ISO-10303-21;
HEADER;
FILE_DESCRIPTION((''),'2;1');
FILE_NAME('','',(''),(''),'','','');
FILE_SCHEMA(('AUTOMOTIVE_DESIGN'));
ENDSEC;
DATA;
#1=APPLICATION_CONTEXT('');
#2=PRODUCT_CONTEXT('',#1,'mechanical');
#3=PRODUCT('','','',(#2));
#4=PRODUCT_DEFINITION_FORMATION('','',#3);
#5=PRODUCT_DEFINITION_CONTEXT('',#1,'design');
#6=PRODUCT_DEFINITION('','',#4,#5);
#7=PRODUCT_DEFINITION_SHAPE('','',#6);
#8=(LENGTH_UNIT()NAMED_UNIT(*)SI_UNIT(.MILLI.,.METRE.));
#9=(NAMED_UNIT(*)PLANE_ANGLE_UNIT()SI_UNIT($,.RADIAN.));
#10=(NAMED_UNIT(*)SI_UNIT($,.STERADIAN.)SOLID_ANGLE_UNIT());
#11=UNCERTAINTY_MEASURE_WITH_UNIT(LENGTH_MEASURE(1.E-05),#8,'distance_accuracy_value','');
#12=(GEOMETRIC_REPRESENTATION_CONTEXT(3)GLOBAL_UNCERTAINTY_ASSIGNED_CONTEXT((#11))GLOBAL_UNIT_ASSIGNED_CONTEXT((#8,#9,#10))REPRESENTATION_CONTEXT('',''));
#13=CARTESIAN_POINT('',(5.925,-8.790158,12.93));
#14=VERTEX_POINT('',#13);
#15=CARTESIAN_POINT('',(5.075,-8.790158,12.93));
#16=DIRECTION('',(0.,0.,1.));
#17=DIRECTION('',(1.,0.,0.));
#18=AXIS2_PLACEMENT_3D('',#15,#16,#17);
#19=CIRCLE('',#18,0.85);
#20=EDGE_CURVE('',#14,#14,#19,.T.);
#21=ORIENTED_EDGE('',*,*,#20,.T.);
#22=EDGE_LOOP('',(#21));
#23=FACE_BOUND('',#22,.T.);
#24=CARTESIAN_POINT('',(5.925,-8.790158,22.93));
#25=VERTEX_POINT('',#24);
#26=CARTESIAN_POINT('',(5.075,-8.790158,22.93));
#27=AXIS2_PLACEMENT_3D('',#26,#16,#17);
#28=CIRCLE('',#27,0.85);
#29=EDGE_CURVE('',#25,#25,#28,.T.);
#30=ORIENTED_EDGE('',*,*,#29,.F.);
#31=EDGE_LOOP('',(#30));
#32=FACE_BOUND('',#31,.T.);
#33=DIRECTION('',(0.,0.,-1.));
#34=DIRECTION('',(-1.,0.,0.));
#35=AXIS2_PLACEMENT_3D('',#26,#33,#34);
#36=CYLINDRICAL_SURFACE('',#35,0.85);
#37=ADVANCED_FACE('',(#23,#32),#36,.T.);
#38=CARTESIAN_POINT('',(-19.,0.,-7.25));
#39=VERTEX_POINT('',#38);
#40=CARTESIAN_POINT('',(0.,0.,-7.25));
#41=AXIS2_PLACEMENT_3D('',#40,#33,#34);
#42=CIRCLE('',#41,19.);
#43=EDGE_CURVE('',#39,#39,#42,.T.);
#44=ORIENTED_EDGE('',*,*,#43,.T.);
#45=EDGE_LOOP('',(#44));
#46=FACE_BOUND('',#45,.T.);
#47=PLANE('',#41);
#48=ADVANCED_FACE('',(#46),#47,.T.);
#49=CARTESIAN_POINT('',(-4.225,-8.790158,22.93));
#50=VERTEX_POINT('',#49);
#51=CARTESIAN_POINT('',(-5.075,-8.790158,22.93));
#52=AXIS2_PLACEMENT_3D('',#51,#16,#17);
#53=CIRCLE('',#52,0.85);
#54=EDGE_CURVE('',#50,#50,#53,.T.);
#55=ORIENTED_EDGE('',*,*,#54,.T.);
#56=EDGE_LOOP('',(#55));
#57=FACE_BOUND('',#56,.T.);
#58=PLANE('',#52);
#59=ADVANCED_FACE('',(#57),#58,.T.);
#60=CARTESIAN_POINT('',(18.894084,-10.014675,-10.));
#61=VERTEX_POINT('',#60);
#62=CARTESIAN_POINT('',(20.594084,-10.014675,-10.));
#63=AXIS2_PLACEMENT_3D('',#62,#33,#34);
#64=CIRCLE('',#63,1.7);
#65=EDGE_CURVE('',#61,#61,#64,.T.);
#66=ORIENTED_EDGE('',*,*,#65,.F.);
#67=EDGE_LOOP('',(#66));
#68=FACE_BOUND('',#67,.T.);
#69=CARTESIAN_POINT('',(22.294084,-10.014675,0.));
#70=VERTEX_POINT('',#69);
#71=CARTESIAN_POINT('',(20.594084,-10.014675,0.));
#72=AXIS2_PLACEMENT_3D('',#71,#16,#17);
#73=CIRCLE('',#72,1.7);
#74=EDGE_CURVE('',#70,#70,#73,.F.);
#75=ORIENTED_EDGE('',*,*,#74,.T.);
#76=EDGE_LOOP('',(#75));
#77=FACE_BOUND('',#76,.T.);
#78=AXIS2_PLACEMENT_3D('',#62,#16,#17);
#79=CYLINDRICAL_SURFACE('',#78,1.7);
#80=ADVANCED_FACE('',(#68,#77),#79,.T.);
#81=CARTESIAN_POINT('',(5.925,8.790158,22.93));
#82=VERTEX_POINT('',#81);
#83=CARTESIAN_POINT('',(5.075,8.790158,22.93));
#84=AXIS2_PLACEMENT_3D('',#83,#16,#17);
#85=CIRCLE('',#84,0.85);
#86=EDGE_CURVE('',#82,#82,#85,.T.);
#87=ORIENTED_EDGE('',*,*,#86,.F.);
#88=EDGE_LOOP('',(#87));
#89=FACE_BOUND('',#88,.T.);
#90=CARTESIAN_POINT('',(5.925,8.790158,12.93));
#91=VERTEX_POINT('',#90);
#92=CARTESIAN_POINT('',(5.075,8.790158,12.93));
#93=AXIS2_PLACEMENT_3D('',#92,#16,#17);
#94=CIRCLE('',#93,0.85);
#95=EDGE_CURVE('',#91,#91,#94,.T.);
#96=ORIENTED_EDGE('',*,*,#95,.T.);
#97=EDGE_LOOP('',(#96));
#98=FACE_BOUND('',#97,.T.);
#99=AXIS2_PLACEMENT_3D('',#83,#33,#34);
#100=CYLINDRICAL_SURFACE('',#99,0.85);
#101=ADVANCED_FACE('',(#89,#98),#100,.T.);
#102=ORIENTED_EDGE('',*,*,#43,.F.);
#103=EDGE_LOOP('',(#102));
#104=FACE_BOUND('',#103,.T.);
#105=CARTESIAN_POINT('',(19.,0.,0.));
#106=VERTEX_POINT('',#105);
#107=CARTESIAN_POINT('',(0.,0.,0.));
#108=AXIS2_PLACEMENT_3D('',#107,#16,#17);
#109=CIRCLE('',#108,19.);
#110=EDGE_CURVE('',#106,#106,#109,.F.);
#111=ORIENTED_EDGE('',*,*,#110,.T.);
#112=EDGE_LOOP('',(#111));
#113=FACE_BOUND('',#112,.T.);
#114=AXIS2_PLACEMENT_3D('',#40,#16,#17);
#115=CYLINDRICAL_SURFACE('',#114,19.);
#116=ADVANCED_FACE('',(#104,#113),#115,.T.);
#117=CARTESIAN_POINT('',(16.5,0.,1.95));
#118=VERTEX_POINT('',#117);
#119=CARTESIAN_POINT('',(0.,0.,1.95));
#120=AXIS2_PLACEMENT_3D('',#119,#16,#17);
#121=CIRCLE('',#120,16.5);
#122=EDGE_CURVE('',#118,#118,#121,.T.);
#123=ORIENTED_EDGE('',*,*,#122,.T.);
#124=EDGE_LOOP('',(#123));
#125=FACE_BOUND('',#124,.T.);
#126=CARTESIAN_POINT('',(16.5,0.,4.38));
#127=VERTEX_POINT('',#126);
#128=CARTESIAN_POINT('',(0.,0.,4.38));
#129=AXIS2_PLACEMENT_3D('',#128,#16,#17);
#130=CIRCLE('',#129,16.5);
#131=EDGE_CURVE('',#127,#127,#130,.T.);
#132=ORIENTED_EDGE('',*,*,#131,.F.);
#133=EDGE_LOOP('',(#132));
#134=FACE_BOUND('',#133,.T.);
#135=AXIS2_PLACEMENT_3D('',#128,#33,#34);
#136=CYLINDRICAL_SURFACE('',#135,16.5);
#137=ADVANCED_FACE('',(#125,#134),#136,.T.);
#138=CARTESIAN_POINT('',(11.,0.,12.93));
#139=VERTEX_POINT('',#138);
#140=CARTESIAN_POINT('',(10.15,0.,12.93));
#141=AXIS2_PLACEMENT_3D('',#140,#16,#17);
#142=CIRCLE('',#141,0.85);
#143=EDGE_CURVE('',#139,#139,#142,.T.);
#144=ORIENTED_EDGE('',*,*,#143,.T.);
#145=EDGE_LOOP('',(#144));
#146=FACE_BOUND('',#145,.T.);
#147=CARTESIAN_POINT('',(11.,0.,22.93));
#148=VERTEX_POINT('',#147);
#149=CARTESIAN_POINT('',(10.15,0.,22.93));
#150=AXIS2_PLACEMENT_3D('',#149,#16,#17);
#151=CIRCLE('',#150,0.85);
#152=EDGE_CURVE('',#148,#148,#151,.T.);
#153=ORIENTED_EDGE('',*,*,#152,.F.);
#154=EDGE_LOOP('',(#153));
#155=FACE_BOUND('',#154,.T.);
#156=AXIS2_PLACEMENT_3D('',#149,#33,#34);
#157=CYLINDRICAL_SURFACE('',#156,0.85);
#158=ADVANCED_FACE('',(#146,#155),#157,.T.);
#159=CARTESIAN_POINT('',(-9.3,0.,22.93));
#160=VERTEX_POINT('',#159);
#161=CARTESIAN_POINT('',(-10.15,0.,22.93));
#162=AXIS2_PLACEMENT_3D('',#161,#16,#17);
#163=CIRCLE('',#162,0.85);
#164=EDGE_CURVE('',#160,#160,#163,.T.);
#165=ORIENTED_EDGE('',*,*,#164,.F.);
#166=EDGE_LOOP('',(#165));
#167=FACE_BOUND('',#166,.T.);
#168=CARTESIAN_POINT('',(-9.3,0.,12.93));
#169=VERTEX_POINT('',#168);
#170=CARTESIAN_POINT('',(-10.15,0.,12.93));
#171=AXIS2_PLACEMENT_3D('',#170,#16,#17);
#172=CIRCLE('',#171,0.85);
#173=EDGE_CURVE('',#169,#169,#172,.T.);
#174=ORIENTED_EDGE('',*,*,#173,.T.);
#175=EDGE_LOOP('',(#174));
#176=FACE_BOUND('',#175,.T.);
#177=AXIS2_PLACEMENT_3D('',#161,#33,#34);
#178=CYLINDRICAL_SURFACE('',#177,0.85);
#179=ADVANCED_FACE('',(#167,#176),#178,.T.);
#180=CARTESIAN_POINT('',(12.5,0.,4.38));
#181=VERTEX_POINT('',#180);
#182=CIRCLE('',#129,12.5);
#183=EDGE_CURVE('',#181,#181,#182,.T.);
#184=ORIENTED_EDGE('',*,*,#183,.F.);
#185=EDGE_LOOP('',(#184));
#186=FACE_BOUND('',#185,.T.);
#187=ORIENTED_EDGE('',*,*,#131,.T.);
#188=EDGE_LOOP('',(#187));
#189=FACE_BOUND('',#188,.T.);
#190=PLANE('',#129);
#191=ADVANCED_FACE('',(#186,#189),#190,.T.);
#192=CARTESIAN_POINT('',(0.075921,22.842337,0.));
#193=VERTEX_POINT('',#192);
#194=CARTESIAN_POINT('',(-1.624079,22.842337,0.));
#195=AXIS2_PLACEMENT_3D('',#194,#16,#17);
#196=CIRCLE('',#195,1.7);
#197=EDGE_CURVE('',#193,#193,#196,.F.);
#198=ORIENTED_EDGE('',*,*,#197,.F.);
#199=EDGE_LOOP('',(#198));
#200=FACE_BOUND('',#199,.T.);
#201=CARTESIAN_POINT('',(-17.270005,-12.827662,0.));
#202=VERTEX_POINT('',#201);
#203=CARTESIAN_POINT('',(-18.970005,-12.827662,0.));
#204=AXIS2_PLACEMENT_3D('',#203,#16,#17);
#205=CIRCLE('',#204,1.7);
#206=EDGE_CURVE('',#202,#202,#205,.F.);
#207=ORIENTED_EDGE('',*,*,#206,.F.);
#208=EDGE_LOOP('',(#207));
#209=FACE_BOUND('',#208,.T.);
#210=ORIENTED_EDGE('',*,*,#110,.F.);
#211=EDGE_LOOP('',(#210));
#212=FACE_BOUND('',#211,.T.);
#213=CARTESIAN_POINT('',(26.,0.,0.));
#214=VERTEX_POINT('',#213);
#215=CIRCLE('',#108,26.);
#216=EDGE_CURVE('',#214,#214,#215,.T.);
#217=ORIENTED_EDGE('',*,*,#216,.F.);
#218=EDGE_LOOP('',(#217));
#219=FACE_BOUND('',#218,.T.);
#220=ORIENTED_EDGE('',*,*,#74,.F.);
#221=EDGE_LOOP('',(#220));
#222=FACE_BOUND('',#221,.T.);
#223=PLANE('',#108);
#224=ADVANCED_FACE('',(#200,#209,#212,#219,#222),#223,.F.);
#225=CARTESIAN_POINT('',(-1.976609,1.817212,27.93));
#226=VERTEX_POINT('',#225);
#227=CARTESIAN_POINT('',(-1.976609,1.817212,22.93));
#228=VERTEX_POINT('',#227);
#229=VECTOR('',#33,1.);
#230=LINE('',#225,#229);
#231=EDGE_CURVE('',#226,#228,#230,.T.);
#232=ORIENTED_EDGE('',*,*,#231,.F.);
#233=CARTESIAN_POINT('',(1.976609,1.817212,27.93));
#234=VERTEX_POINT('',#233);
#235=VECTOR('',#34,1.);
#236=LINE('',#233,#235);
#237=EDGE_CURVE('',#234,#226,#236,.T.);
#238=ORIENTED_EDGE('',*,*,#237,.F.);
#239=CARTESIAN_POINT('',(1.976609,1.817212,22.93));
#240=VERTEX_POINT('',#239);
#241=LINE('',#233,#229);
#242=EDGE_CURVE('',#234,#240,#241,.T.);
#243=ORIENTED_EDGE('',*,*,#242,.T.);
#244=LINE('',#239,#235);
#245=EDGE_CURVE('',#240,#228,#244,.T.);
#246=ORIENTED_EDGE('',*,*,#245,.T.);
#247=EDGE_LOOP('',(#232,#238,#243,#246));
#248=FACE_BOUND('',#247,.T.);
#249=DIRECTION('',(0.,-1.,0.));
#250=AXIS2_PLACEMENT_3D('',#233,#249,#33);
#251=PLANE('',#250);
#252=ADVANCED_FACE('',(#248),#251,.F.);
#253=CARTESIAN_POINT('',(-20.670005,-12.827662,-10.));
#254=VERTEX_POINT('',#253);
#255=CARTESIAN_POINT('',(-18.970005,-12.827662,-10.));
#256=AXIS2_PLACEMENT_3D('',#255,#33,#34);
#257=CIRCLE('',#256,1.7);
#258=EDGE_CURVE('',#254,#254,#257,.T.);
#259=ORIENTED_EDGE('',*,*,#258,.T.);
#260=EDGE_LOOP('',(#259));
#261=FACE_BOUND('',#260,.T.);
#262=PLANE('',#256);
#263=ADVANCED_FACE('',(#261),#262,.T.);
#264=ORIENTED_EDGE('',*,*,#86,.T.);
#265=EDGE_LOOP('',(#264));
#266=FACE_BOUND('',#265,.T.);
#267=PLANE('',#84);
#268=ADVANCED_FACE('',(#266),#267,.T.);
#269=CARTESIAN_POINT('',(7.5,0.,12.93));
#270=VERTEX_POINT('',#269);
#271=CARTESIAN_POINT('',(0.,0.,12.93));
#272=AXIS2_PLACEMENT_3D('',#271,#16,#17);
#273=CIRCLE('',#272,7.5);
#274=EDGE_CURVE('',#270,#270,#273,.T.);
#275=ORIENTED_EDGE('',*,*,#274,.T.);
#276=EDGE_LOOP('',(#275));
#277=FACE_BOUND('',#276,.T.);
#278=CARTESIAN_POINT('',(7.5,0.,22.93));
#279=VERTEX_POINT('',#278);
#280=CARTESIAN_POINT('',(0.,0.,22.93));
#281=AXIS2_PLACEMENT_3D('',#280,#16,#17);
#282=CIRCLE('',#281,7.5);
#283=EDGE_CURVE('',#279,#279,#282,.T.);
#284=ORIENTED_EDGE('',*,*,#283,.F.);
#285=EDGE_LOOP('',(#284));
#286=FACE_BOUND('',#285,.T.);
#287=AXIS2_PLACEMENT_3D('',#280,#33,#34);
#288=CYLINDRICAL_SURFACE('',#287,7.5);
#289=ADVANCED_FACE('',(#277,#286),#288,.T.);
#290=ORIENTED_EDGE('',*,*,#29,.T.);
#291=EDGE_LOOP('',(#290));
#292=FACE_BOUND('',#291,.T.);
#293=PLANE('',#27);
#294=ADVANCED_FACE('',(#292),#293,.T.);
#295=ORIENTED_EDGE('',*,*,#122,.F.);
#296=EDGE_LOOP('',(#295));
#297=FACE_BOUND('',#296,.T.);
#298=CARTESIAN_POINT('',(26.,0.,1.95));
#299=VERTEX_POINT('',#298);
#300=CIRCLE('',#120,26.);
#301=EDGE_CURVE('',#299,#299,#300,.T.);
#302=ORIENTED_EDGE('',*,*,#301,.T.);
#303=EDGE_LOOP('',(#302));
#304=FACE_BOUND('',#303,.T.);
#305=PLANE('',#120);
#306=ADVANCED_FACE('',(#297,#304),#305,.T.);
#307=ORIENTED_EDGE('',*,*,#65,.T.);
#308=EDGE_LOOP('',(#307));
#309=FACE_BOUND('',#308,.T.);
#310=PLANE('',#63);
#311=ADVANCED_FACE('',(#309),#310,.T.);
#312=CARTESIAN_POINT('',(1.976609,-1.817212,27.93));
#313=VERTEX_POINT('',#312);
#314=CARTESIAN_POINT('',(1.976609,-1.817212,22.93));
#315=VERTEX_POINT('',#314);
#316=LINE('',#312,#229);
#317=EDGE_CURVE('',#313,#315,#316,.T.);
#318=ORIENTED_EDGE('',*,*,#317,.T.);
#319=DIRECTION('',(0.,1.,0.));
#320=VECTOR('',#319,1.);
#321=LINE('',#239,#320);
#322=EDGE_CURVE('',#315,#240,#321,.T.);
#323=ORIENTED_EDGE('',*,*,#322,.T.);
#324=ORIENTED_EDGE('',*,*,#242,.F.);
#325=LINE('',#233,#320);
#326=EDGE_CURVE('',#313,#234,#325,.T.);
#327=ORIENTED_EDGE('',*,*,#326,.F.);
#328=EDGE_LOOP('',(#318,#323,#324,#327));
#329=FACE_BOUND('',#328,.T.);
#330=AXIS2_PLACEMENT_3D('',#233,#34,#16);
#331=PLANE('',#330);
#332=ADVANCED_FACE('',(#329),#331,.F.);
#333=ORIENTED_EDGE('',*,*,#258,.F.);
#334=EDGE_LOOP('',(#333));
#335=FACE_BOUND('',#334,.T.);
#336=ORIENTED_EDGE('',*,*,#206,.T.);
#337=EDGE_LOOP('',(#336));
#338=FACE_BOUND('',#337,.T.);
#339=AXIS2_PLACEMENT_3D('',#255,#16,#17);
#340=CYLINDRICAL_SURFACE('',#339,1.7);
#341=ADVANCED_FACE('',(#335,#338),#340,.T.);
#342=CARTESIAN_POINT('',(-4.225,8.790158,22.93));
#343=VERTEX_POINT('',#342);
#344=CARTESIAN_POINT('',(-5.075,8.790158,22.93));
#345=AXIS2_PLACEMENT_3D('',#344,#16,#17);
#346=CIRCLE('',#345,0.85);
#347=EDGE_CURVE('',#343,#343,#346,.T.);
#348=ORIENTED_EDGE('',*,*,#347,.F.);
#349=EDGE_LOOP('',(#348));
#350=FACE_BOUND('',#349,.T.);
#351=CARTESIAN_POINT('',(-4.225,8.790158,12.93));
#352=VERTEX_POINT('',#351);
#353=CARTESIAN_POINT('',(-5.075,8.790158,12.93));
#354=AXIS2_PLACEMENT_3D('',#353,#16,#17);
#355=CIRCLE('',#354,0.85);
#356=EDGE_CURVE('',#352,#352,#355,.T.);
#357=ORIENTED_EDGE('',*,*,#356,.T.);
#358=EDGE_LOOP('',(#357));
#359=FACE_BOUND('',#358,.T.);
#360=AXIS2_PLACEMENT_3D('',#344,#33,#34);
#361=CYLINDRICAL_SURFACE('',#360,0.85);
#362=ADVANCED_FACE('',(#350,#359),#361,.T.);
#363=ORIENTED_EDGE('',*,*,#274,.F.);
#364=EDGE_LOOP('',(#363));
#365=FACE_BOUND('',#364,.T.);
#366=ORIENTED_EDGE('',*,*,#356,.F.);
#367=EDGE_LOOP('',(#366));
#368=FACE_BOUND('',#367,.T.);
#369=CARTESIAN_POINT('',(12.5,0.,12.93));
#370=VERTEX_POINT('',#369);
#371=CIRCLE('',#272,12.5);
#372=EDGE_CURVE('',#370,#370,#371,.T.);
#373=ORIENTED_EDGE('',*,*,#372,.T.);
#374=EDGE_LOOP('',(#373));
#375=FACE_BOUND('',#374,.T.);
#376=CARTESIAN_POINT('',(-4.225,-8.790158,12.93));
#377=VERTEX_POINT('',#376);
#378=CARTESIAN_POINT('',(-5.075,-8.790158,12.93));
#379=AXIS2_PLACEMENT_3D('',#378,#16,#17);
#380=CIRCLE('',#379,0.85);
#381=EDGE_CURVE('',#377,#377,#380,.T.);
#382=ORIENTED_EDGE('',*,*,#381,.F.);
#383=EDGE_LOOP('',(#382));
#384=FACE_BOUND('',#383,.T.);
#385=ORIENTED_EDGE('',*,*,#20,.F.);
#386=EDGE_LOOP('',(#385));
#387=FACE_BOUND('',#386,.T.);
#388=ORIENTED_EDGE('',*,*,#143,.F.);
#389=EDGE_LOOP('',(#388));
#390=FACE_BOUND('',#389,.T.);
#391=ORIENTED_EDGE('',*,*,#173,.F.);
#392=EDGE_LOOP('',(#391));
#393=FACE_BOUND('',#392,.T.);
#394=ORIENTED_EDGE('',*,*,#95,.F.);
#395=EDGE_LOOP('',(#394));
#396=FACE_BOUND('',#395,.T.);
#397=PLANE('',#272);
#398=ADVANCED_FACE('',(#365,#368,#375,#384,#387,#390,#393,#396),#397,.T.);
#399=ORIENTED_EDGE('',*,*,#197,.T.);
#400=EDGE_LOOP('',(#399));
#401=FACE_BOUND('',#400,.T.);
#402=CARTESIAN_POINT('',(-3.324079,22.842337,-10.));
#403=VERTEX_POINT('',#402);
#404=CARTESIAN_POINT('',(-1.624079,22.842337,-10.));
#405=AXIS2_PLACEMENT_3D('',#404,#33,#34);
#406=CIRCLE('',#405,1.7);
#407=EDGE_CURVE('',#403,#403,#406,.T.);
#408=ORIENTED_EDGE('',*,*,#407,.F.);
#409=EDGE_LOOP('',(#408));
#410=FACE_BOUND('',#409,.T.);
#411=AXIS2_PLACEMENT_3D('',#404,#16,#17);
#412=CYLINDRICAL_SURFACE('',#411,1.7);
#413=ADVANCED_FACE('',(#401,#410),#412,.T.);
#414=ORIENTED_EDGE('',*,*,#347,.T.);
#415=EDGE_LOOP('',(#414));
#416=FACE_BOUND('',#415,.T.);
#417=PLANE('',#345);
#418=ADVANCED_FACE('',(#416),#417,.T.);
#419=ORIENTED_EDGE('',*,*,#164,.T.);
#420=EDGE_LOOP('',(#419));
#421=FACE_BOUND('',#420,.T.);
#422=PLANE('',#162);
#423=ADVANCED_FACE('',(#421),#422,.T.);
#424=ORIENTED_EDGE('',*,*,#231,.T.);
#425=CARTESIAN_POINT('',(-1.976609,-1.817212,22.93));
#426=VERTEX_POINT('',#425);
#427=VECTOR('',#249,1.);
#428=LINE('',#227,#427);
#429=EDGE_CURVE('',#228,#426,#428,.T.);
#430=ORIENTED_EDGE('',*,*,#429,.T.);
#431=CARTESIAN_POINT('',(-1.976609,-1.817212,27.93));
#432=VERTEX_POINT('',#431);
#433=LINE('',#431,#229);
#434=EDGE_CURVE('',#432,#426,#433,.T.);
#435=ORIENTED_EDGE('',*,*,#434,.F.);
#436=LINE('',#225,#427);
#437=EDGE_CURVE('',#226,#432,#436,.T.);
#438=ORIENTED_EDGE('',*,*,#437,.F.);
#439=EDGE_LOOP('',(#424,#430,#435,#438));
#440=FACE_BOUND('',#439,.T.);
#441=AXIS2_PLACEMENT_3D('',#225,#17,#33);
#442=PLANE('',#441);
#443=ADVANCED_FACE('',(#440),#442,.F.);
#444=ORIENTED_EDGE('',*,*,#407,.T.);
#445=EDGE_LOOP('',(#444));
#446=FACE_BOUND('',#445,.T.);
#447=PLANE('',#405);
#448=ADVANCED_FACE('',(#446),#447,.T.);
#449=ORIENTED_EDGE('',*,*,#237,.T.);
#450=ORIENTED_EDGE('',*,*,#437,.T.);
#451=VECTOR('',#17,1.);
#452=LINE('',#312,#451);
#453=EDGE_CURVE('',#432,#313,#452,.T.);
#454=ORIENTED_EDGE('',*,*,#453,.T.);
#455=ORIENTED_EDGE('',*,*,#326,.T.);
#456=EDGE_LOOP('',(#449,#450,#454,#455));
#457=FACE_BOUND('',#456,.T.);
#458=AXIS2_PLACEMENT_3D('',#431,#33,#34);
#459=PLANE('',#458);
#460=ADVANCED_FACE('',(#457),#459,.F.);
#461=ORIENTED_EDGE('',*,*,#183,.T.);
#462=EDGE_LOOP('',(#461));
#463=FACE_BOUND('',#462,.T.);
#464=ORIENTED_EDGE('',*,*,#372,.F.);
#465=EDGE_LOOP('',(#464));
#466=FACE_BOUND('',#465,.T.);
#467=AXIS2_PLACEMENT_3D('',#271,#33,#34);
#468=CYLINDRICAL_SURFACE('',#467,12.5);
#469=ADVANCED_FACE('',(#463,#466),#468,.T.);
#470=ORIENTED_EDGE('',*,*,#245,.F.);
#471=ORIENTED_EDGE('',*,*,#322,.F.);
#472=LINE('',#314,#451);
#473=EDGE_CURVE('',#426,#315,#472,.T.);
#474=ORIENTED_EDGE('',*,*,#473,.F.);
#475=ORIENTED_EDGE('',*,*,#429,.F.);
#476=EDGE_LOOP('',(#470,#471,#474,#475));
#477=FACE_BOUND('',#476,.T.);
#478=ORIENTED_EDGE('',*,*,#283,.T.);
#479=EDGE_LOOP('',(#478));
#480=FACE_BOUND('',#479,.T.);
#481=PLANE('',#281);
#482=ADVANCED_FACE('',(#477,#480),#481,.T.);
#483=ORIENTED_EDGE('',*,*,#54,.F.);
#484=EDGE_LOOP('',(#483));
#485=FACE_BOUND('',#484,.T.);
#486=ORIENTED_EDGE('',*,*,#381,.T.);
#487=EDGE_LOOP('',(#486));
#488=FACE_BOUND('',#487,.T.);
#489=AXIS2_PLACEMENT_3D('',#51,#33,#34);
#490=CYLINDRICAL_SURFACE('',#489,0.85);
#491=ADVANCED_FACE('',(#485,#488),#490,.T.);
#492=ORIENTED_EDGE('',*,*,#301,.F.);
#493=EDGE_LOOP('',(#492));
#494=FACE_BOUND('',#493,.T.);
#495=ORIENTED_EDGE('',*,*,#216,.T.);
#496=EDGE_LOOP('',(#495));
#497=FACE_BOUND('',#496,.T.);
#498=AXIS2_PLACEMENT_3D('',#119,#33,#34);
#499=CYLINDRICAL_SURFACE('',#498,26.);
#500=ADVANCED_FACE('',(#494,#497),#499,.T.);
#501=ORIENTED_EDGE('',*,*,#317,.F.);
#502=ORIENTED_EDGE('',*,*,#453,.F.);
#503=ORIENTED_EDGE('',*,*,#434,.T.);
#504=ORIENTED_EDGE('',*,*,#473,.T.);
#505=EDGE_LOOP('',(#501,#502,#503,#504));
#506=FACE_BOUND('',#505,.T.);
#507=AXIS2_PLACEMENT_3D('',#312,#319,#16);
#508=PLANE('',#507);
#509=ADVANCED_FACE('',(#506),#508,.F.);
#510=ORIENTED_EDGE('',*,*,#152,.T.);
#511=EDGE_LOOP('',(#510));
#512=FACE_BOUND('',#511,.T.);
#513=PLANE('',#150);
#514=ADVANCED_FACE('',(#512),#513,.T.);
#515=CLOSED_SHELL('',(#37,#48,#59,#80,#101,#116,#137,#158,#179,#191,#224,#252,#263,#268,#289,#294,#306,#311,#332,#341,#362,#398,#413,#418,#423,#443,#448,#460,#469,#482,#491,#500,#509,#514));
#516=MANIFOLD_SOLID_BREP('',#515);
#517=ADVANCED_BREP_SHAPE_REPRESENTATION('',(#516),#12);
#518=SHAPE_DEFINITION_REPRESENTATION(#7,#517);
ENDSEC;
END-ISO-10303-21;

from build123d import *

# Parameters (mm, degrees)
SKETCH1_R           = 26
BOSS_EXTRUDE1_DEPTH = 1.95
SKETCH2_R           = 19
BOSS_EXTRUDE2_DEPTH = 7.25
SKETCH3_R           = 16.5
BOSS_EXTRUDE3_DEPTH = 2.43
SKETCH4_R           = 12.5
BOSS_EXTRUDE4_DEPTH = 8.55
SKETCH5_R           = 7.5
BOSS_EXTRUDE5_DEPTH = 10
SKETCH6_R           = 1.7
BOSS_EXTRUDE6_DEPTH = 10
SKETCH7_R           = 0.85
BOSS_EXTRUDE7_DEPTH = 10
SKETCH8_W           = 3.953217044
SKETCH8_H           = 3.634424256
BOSS_EXTRUDE8_DEPTH = 5


with BuildPart() as part:
    # Sketch1 → Boss-Extrude1 (new body)
    with BuildSketch(Plane.XY):
        Circle(SKETCH1_R)
    extrude(amount=BOSS_EXTRUDE1_DEPTH)

    # Sketch2 → Boss-Extrude2 (add)
    with BuildSketch(Plane(origin=(0, 0, 0), x_dir=(-1, 0, 0), z_dir=(0, 0, -1))):
        Circle(SKETCH2_R)
    extrude(amount=BOSS_EXTRUDE2_DEPTH)

    # Sketch3 → Boss-Extrude3 (add)
    with BuildSketch(Plane.XY.offset(1.95)):
        Circle(SKETCH3_R)
    extrude(amount=BOSS_EXTRUDE3_DEPTH)

    # Sketch4 → Boss-Extrude4 (add)
    with BuildSketch(Plane.XY.offset(4.38)):
        Circle(SKETCH4_R)
    extrude(amount=BOSS_EXTRUDE4_DEPTH)

    # Sketch5 → Boss-Extrude5 (add)
    with BuildSketch(Plane.XY.offset(12.93)):
        Circle(SKETCH5_R)
    extrude(amount=BOSS_EXTRUDE5_DEPTH)

    # Sketch6 → Boss-Extrude6 (add)
    with BuildSketch(Plane(origin=(0, 0, 0), x_dir=(-1, 0, 0), z_dir=(0, 0, -1))):
        with Locations((18.970004687, -12.827662382)):
            Circle(SKETCH6_R)
        with Locations((-20.594083837, -10.014674777)):
            Circle(SKETCH6_R)
        with Locations((1.624079151, 22.84233716)):
            Circle(SKETCH6_R)
    extrude(amount=BOSS_EXTRUDE6_DEPTH)

    # Sketch7 → Boss-Extrude7 (add)
    with BuildSketch(Plane.XY.offset(12.93)):
        with Locations((-10.15, 0)):
            Circle(SKETCH7_R)
        with Locations((-5.075, 8.790157848)):
            Circle(SKETCH7_R)
        with Locations((5.075, 8.790157848)):
            Circle(SKETCH7_R)
        with Locations((10.15, 0)):
            Circle(SKETCH7_R)
        with Locations((5.075, -8.790157848)):
            Circle(SKETCH7_R)
        with Locations((-5.075, -8.790157848)):
            Circle(SKETCH7_R)
    extrude(amount=BOSS_EXTRUDE7_DEPTH)

    # Sketch8 → Boss-Extrude8 (add)
    with BuildSketch(Plane.XY.offset(22.93)):
        Rectangle(SKETCH8_W, SKETCH8_H)
    extrude(amount=BOSS_EXTRUDE8_DEPTH)


solid = part.part
